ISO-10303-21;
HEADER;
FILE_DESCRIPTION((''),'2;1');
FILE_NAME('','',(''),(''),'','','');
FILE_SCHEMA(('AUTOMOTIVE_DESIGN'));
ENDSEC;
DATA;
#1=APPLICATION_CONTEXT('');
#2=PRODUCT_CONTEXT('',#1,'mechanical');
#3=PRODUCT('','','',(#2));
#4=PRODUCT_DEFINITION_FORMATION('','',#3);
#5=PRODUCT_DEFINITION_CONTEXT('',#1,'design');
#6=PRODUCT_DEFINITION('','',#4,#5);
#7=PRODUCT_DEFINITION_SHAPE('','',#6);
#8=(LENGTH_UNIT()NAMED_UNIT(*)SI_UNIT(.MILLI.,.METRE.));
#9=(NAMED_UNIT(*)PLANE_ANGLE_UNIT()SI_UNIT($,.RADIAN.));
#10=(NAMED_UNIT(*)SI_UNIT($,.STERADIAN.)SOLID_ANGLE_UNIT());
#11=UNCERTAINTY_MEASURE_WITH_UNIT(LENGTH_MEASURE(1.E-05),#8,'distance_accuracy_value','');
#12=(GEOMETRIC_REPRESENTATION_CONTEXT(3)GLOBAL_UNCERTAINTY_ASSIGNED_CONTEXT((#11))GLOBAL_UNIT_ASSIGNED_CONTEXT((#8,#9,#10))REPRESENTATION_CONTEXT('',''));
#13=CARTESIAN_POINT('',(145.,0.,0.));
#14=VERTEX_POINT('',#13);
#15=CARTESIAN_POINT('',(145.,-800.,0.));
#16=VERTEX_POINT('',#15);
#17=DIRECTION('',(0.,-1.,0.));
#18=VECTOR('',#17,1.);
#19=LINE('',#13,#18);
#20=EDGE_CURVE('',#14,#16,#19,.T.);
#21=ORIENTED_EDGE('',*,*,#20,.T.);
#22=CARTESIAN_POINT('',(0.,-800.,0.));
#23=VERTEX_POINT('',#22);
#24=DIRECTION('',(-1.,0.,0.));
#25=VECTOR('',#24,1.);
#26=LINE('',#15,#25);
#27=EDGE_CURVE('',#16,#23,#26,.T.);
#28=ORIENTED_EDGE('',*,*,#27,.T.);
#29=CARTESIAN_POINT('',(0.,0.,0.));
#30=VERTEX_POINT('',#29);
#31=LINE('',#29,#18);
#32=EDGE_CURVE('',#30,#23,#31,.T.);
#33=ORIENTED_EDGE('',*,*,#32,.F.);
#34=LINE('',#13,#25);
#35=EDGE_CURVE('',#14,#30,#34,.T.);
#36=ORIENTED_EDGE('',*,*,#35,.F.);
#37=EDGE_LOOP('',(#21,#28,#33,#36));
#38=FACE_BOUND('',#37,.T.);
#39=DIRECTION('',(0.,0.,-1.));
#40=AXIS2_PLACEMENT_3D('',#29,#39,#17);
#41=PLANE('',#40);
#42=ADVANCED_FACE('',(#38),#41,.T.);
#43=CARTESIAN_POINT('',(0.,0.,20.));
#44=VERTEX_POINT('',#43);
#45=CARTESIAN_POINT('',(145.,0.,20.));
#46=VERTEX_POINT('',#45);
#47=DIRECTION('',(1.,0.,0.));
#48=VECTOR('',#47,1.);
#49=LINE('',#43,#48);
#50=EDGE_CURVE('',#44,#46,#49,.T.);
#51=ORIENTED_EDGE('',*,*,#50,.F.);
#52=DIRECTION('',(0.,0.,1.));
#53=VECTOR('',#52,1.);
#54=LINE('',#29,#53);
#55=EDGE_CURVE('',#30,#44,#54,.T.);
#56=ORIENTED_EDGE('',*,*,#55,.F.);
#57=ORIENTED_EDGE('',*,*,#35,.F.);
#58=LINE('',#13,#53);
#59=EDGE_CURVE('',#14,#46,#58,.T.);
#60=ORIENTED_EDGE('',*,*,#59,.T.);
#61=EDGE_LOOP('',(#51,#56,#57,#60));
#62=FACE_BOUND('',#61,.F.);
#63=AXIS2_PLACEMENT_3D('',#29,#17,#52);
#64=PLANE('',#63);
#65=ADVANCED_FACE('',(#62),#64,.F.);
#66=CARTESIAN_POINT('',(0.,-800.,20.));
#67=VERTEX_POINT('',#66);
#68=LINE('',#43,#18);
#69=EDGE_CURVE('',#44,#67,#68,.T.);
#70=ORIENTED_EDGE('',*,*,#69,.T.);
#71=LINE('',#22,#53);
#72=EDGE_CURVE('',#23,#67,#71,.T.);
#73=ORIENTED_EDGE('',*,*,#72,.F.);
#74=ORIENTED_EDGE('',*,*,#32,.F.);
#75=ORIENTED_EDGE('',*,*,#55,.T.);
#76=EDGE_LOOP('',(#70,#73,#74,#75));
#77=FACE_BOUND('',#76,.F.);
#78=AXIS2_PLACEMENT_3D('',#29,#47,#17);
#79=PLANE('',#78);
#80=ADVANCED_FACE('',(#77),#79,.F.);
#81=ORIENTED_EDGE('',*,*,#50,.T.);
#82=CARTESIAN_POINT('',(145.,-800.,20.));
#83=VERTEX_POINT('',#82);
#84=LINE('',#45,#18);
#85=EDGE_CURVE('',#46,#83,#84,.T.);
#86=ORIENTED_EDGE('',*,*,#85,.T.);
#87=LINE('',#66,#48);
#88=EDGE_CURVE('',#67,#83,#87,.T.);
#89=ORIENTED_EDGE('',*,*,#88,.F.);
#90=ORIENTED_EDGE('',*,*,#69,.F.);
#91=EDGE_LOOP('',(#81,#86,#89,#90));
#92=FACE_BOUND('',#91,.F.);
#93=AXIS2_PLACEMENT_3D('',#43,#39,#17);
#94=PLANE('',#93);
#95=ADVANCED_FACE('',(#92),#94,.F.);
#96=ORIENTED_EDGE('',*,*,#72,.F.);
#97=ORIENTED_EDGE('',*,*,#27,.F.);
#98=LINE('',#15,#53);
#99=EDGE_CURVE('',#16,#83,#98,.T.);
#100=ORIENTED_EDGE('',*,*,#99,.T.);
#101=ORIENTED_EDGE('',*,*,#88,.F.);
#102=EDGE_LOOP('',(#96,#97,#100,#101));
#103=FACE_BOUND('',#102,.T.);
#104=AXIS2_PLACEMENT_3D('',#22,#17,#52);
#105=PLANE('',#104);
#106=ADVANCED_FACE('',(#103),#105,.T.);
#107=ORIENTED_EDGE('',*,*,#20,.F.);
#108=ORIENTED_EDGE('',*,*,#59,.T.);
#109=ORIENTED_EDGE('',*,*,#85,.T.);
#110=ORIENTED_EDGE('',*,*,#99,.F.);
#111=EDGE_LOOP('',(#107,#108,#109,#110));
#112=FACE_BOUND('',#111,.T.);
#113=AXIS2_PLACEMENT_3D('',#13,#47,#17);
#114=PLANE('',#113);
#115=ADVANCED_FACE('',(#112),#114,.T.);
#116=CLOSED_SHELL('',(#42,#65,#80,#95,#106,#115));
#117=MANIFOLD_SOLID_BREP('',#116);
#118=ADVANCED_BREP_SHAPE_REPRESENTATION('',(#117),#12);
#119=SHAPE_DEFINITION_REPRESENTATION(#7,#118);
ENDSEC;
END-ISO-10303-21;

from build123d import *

# Parameters (mm, degrees)
F0_W     = 40.3330735862
F0_H     = 25.4436098039
F1_DEPTH = 800
F2_DEPTH = 20
F3_DEPTH = 25
F4_DEPTH = 145


with BuildPart() as f1:
    # F0 (on Front) → F1 (new body)
    with BuildSketch(Plane.XZ):
        with Locations((20.1665367931, 12.721804902)):
            Rectangle(F0_W, F0_H)
    extrude(amount=F1_DEPTH)

    # F2 (intersect): a face of the model
    f2_faces = [f1.faces().sort_by_distance(p)[0] for p in [
        (20.1665367931, -400, 0),
    ]]
    extrude(f2_faces, amount=-F2_DEPTH, mode=Mode.INTERSECT)

    # F3 (add): a face of the model
    f3_faces = [f1.faces().sort_by_distance(p)[0] for p in [
        (0, -400, 10),
    ]]
    extrude(f3_faces, amount=-F3_DEPTH)

    # F4 (add): a face of the model
    f4_faces = [f1.faces().sort_by_distance(p)[0] for p in [
        (0, -400, 10),
    ]]
    extrude(f4_faces, amount=-F4_DEPTH)


solid = f1.part
